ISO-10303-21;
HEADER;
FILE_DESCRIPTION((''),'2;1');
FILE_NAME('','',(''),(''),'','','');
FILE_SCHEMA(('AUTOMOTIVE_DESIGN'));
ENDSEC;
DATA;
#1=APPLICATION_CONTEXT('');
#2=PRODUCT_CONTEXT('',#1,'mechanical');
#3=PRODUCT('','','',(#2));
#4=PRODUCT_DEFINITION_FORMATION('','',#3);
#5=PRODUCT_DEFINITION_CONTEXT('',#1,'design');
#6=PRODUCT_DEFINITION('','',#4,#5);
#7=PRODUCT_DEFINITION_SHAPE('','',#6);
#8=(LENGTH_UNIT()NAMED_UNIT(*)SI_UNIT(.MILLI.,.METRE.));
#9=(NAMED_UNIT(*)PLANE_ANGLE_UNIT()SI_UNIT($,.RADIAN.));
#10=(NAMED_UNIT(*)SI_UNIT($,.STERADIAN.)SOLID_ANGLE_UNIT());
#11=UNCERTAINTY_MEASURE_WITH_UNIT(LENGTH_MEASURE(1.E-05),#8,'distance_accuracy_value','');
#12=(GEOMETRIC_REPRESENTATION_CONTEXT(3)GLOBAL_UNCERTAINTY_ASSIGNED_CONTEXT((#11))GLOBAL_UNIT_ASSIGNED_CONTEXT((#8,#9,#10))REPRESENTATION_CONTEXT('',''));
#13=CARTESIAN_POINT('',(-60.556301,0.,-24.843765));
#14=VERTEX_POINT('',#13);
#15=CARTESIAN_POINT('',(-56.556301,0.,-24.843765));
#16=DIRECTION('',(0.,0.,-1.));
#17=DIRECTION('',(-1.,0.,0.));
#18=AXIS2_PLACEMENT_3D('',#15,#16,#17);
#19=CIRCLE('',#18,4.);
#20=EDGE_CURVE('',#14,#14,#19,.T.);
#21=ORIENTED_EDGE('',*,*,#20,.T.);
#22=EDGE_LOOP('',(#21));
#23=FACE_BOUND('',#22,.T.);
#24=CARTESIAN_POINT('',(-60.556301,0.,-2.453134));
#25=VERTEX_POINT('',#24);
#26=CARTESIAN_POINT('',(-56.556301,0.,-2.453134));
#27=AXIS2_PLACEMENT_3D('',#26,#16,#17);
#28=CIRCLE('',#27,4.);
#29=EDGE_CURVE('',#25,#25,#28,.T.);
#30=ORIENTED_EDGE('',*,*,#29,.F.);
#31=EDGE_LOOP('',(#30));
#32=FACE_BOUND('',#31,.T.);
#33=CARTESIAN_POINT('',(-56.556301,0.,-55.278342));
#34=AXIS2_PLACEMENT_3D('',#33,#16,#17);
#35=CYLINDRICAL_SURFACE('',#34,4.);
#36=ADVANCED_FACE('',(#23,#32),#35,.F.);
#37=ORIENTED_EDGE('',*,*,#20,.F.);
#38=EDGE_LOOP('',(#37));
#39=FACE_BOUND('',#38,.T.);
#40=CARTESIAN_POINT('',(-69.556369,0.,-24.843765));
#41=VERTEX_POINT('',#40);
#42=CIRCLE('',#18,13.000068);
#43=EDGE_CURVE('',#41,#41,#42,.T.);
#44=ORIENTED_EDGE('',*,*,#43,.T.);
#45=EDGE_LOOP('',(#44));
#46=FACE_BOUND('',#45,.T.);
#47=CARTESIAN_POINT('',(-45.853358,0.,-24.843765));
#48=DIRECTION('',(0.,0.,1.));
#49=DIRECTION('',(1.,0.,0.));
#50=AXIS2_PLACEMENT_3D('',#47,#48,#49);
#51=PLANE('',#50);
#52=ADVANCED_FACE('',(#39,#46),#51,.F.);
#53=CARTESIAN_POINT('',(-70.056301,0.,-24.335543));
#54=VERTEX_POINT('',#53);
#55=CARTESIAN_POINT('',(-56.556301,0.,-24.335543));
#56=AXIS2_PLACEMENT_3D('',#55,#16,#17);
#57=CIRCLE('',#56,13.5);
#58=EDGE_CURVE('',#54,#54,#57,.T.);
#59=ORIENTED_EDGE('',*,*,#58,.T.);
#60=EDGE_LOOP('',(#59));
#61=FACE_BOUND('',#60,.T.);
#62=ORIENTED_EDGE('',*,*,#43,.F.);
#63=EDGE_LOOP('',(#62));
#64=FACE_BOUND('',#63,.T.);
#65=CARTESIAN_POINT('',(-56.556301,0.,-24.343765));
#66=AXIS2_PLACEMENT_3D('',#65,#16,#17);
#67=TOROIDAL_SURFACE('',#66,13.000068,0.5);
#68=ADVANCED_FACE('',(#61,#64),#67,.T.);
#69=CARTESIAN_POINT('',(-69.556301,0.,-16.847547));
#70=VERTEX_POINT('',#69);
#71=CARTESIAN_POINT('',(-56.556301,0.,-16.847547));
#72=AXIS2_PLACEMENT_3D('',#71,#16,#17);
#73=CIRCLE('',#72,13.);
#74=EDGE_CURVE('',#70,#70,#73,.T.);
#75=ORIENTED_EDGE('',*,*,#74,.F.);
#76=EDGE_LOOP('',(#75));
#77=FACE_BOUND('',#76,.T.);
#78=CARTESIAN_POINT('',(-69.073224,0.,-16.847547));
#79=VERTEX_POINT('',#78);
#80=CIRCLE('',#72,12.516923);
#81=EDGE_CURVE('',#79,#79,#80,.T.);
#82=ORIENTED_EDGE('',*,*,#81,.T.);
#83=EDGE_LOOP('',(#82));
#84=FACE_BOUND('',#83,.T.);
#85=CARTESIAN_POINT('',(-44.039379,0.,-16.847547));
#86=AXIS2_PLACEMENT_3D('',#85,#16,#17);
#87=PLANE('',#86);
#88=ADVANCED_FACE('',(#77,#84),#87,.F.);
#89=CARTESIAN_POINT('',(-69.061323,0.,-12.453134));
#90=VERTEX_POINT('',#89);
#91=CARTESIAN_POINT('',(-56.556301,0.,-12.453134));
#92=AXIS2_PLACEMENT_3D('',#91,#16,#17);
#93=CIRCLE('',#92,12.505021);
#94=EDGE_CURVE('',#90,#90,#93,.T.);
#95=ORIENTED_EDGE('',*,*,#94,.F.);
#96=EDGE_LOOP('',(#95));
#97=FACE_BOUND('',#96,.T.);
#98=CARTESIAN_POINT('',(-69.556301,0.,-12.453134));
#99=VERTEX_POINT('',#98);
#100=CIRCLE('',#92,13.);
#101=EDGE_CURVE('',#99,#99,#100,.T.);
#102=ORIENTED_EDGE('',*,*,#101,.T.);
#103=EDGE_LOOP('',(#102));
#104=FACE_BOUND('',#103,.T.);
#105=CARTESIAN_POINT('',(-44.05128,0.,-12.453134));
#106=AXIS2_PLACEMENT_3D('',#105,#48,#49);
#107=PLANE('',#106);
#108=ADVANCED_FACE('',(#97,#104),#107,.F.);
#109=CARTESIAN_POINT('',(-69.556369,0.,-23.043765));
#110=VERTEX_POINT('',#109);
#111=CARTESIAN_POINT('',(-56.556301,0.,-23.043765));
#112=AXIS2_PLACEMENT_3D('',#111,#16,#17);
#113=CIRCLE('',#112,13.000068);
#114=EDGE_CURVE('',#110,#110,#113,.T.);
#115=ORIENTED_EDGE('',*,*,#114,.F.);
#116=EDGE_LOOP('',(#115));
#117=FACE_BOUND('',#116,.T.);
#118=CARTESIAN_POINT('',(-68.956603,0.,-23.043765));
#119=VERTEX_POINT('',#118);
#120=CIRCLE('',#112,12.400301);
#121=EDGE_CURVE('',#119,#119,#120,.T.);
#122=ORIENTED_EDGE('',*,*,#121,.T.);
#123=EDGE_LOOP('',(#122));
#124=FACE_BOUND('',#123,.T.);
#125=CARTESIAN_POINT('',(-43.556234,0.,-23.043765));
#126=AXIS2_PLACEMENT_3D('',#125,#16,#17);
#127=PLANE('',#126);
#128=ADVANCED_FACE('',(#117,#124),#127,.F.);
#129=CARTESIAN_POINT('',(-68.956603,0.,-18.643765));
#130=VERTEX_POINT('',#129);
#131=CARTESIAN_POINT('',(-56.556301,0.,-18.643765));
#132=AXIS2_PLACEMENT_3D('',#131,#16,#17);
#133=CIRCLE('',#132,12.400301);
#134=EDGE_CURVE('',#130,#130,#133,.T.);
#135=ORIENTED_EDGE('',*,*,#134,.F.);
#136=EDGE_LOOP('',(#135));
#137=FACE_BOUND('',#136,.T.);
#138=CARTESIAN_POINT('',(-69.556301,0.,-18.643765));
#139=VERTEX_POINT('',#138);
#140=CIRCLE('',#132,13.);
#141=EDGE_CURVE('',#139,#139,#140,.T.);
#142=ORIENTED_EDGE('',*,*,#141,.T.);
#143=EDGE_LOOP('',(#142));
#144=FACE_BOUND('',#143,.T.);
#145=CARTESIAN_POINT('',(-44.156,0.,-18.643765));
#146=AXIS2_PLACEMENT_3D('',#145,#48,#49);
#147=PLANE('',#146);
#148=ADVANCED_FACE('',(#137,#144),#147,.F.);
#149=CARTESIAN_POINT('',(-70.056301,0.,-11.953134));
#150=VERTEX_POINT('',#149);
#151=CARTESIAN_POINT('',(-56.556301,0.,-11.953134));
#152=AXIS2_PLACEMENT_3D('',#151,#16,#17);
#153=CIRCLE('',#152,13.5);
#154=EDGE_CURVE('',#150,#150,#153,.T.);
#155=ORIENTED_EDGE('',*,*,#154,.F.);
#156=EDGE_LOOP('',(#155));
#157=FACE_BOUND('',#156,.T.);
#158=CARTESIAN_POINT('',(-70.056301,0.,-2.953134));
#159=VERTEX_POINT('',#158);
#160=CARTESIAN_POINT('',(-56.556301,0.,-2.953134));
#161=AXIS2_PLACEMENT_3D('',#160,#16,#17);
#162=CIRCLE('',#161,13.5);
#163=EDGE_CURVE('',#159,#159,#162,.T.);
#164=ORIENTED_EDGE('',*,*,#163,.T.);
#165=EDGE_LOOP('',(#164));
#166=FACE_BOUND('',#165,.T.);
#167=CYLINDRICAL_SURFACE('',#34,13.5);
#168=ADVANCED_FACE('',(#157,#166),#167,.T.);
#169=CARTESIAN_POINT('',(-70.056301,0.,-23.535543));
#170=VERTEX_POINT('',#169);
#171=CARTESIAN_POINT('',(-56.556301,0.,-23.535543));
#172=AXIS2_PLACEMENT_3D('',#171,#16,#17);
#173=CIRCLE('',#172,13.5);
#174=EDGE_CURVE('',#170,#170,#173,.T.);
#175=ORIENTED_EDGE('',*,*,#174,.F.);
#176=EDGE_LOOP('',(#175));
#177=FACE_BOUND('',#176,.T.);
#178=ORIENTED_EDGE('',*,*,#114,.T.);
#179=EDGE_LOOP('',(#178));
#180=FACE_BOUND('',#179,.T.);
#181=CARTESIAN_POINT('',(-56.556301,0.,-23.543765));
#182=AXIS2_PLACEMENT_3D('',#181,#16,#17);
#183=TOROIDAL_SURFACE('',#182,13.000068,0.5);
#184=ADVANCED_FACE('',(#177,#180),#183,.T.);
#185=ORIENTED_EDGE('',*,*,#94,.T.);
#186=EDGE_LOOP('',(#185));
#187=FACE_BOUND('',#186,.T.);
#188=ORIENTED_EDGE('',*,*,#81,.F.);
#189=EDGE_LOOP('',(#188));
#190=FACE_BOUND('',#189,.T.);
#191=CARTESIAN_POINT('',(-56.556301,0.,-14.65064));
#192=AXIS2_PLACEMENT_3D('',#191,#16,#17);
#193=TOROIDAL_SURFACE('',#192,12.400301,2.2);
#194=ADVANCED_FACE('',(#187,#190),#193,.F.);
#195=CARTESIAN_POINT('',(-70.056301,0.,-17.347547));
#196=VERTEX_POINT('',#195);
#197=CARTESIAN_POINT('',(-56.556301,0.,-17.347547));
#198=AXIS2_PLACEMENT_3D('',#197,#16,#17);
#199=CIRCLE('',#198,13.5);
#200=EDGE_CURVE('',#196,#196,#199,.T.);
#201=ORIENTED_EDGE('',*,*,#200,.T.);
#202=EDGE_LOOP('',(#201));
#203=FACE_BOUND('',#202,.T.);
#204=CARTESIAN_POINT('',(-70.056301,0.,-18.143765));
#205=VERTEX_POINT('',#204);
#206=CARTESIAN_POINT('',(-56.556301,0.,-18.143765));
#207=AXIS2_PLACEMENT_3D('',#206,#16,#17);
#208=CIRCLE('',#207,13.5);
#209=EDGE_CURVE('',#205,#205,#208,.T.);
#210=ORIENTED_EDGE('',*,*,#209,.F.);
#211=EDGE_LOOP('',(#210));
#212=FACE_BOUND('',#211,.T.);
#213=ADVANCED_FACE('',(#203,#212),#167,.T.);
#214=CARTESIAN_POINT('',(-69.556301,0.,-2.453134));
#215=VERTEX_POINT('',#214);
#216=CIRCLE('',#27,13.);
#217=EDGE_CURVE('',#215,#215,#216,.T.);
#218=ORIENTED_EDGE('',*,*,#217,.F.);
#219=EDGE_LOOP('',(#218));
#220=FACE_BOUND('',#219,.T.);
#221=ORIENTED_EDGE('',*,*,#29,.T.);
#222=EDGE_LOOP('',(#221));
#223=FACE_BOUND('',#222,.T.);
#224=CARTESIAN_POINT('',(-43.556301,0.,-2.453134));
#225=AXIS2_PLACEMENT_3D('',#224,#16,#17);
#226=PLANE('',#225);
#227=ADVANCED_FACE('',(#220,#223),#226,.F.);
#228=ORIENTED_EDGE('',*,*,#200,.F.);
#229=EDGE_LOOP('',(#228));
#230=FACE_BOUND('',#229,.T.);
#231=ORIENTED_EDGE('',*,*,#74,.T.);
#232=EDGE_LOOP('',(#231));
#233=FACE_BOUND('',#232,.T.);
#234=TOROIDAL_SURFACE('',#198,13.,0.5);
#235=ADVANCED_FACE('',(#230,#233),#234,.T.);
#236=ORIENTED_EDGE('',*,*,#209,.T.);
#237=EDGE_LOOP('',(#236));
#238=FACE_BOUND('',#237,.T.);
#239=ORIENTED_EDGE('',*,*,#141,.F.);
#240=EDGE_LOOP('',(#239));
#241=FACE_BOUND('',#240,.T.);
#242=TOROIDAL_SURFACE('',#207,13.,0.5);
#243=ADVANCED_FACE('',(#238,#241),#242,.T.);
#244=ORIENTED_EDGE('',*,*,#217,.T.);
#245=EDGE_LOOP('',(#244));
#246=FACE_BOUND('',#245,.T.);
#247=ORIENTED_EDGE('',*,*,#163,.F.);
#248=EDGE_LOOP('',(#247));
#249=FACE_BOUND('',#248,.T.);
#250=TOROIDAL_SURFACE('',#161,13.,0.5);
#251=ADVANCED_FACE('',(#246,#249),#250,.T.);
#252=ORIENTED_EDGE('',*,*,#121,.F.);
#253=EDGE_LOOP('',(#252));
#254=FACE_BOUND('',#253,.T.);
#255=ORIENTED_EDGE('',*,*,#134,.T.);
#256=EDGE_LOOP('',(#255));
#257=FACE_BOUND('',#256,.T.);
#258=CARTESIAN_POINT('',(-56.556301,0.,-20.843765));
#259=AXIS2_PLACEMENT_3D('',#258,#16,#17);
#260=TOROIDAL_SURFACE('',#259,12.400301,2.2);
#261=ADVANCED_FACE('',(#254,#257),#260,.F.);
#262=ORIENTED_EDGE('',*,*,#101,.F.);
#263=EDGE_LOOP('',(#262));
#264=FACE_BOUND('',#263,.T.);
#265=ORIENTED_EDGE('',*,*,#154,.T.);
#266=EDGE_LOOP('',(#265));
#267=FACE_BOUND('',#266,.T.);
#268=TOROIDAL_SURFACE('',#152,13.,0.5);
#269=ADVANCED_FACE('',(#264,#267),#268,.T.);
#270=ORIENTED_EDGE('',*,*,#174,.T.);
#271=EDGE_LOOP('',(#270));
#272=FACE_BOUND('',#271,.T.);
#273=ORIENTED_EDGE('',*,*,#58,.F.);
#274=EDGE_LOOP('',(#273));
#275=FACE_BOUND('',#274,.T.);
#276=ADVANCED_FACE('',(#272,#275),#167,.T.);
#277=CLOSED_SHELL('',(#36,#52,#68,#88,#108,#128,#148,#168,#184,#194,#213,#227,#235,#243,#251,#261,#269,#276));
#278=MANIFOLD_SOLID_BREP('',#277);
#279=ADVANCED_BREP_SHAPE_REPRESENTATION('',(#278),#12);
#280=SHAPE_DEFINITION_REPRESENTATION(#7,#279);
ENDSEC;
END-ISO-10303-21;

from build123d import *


with BuildPart() as part:
    # Sketch1 → Revolve1 (revolve)
    with BuildSketch(Plane(origin=(0, 0, 0), x_dir=(1, 0, 0), z_dir=(0, 1, 0)), mode=Mode.PRIVATE) as revolve1_sk:
        with BuildLine():
            Line((-44.051280268, 12.453134186), (-43.556301458, 12.453134186))
            ThreePointArc((-43.556301458, 12.453134186), (-43.202748067, 12.306687577), (-43.056301458, 11.953134186))
            Line((-43.056301458, 11.953134186), (-43.056301458, 2.953134186))
            ThreePointArc((-43.056301458, 2.953134186), (-43.202748067, 2.599580796), (-43.556301458, 2.453134186))
            Line((-43.556301458, 2.453134186), (-52.556301458, 2.453134186))
            Line((-52.556301458, 2.453134186), (-52.556301458, 24.843765287))
            Line((-52.556301458, 24.843765287), (-45.853357733, 24.843765287))
            Line((-45.853357733, 24.843765287), (-43.556233845, 24.843765287))
            ThreePointArc((-43.556233845, 24.843765287), (-43.199785241, 24.694399559), (-43.056301458, 24.335542858))
            Line((-43.056301458, 24.335542858), (-43.056301458, 23.535542858))
            ThreePointArc((-43.056301458, 23.535542858), (-43.205599573, 23.187316683), (-43.556233845, 23.043765287))
            Line((-43.556233845, 23.043765287), (-44.156000386, 23.043765287))
            ThreePointArc((-44.156000386, 23.043765287), (-46.356000386, 20.843765287), (-44.156000386, 18.643765287))
            Line((-44.156000386, 18.643765287), (-43.556301458, 18.643765287))
            ThreePointArc((-43.556301458, 18.643765287), (-43.202748067, 18.497318677), (-43.056301458, 18.143765287))
            Line((-43.056301458, 18.143765287), (-43.056301458, 17.347547208))
            ThreePointArc((-43.056301458, 17.347547208), (-43.202748067, 16.993993818), (-43.556301458, 16.847547208))
            Line((-43.556301458, 16.847547208), (-44.039378718, 16.847547208))
            ThreePointArc((-44.039378718, 16.847547208), (-46.355992318, 14.65659875), (-44.051280268, 12.453134186))
        make_face()
    revolve(revolve1_sk.sketch.rotate(Axis((-56.556301458, 0, -55.278342432), (0, 0, 1)), 180), axis=Axis((-56.556301458, 0, -55.278342432), (0, 0, 1)))


solid = part.part
